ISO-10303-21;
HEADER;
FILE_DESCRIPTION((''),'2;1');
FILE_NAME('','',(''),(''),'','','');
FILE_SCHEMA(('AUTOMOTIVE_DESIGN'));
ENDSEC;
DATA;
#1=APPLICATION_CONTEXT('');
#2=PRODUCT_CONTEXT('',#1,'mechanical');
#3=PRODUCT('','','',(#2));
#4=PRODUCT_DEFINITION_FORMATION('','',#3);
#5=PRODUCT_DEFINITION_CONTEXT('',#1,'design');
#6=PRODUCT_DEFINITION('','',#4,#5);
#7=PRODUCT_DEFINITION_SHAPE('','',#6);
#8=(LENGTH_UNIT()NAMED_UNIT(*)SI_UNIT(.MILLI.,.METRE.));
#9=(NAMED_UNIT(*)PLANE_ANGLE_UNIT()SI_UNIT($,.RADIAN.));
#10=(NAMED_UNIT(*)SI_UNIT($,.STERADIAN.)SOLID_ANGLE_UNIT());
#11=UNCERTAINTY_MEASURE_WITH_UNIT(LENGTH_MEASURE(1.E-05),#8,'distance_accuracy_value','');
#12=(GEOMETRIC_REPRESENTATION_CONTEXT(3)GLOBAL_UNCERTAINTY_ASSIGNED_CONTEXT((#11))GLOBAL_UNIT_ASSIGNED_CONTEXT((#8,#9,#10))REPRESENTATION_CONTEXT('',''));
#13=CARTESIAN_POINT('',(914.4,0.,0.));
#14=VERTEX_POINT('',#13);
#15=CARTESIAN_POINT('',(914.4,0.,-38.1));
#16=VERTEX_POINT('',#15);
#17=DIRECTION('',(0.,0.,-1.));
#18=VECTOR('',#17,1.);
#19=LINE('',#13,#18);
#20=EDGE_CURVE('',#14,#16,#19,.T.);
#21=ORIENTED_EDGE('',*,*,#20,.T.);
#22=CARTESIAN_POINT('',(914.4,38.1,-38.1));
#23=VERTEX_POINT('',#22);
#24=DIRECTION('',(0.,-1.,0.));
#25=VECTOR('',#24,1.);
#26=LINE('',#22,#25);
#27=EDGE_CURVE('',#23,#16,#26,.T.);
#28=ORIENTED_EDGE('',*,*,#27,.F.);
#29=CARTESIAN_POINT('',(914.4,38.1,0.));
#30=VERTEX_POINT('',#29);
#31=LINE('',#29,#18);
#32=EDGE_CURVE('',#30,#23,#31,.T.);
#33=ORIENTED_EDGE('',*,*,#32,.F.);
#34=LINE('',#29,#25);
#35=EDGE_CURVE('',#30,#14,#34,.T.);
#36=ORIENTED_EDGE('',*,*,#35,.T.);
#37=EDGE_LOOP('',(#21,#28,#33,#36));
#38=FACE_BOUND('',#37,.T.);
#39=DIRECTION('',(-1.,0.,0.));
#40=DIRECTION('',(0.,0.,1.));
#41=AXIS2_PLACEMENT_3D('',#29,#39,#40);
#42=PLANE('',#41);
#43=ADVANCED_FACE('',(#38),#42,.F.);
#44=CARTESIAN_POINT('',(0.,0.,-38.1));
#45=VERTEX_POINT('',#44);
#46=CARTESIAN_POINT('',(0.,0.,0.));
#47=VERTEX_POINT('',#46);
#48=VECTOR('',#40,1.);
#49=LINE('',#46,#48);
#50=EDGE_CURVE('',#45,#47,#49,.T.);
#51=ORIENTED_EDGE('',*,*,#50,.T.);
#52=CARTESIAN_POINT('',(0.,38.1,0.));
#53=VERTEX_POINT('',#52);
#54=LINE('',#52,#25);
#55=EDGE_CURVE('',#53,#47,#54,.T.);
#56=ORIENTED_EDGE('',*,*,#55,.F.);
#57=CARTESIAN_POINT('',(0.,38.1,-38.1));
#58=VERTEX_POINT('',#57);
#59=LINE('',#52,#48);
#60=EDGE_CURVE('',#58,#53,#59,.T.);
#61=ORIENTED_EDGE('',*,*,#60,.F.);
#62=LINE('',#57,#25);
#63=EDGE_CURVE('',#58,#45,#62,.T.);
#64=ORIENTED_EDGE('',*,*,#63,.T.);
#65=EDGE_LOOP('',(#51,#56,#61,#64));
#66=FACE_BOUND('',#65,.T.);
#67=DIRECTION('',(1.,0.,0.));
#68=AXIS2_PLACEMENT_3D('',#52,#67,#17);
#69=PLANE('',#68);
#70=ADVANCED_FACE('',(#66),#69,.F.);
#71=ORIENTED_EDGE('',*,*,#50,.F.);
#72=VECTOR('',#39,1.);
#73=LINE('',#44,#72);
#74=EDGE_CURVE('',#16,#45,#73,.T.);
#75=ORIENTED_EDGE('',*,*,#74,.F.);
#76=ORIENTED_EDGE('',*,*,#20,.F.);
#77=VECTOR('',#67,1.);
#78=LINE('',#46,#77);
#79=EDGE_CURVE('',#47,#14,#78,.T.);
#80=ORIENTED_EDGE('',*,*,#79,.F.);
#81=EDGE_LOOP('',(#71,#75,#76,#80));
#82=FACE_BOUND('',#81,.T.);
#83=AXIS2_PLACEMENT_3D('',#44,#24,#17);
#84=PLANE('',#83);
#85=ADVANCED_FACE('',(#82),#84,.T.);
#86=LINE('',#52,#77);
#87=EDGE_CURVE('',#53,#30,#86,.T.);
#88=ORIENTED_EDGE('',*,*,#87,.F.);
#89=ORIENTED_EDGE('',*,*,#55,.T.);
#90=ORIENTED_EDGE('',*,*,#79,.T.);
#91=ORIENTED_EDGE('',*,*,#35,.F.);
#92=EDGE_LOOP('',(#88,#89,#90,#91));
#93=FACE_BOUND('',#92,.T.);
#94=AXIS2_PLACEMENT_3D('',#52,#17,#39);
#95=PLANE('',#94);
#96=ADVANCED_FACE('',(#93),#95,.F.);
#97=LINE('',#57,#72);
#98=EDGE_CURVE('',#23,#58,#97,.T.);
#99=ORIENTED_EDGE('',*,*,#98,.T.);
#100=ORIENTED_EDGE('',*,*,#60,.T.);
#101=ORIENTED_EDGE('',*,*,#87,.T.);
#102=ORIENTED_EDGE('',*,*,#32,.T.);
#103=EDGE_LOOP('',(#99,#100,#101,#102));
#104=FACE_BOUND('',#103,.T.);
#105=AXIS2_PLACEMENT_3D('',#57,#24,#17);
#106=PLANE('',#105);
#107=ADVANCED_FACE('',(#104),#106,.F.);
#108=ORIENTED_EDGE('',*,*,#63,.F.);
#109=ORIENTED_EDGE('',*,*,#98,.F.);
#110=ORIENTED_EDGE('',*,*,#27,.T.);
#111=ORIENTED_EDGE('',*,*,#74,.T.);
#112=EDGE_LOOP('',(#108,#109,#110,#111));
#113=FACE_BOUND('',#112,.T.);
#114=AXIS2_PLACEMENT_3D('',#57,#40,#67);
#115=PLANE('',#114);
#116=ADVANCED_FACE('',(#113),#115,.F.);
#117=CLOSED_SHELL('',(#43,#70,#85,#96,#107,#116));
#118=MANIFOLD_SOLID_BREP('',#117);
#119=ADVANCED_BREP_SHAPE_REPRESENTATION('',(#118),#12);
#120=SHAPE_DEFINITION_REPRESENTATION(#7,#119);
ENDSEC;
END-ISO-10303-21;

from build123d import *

# Parameters (mm, degrees)
SKETCH1_W      = 914.4
SKETCH1_H      = 38.1
EXTRUDE1_DEPTH = 38.1


with BuildPart() as part:
    # Sketch1 → Extrude1 (new body)
    with BuildSketch(Plane(origin=(0, 0, 0), x_dir=(1, 0, 0), z_dir=(0, 1, 0))):
        with Locations((457.2, 19.05)):
            Rectangle(SKETCH1_W, SKETCH1_H)
    extrude(amount=EXTRUDE1_DEPTH)


solid = part.part
